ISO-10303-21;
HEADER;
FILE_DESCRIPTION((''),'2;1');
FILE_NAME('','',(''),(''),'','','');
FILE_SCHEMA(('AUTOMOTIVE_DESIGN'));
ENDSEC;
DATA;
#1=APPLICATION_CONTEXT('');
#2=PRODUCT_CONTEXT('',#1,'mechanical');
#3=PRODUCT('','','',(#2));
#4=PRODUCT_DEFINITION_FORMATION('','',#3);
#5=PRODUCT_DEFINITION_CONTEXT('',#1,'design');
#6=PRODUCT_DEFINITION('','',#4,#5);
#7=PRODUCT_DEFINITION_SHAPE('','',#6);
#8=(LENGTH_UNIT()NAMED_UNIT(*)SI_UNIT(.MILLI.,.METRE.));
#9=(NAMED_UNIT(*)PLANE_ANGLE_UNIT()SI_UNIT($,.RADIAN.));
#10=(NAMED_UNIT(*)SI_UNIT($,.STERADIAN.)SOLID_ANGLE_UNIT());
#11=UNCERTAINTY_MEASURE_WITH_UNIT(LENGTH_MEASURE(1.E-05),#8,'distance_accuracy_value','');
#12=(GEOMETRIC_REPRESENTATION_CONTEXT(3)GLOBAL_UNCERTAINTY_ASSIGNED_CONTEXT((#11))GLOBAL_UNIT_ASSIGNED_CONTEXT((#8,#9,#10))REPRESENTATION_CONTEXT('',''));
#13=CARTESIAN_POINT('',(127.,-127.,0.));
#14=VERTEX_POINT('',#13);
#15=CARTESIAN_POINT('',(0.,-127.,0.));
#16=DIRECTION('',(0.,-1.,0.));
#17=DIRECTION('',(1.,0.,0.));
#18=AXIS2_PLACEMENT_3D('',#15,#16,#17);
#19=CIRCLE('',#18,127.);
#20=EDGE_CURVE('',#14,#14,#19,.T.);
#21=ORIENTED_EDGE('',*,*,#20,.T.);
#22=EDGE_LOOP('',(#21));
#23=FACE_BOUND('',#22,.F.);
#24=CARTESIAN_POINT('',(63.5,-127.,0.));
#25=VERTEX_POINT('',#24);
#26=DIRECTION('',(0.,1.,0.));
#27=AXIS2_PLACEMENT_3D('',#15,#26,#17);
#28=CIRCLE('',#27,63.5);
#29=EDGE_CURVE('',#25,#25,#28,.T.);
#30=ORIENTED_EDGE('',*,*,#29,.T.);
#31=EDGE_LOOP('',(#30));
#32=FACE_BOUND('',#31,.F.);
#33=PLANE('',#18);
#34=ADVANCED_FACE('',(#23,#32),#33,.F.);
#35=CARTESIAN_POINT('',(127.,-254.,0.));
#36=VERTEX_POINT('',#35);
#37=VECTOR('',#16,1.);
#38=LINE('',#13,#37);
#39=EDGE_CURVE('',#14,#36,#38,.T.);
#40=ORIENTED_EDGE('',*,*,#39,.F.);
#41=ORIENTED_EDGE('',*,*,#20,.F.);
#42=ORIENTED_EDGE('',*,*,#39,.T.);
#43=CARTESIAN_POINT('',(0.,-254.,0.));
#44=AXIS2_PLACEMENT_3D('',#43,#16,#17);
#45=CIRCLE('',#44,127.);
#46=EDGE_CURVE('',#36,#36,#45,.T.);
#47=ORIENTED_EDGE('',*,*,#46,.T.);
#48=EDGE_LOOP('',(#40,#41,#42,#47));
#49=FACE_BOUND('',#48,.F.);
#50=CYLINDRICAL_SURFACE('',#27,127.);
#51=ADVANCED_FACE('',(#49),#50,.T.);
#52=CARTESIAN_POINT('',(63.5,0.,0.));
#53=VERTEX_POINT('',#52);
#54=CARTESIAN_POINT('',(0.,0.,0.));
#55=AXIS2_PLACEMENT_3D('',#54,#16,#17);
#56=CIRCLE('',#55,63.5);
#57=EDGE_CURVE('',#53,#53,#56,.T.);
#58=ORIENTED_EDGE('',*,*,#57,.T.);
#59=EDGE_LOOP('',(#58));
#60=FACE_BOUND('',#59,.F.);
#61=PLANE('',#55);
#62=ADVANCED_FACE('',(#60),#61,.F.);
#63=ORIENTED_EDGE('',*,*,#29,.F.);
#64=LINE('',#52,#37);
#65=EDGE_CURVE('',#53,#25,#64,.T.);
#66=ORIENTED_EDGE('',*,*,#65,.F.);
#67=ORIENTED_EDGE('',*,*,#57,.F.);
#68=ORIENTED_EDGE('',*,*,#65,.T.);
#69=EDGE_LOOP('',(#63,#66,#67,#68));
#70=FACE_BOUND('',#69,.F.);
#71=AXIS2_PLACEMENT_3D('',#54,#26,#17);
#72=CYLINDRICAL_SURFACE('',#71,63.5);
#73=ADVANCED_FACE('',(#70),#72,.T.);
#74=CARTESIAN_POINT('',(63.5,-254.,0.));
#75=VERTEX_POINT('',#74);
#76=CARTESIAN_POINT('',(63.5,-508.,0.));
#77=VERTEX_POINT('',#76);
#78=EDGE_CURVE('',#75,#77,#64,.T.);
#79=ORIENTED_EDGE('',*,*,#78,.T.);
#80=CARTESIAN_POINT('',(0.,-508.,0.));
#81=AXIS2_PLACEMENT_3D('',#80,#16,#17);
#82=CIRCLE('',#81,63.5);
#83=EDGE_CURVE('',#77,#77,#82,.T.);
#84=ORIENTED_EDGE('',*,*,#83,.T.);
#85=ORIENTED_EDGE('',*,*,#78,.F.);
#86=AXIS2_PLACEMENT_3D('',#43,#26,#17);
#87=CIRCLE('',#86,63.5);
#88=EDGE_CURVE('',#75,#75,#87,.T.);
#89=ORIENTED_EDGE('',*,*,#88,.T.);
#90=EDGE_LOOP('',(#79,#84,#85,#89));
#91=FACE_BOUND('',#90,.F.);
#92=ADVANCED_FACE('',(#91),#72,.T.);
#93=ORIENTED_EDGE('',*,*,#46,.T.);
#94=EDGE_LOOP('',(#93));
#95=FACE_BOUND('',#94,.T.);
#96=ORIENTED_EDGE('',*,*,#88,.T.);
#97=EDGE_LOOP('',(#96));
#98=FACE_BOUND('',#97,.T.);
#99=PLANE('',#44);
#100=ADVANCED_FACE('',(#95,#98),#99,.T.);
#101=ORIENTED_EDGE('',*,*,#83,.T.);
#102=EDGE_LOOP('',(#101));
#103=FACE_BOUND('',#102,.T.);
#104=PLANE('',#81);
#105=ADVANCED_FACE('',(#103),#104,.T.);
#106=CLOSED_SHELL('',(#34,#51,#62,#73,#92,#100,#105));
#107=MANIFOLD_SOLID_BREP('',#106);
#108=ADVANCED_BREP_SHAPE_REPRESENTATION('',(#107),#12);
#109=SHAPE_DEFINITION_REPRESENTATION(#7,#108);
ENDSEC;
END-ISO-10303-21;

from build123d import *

# Parameters (mm, degrees)
F0_R     = 63.5
F1_DEPTH = 508
F3_R     = 127
F4_DEPTH = 127


with BuildPart() as f1:
    # F0 (on Front) → F1 (new body)
    with BuildSketch(Plane.XZ):
        Circle(F0_R)
    extrude(amount=F1_DEPTH)

    # F3 (on offset) → F4 (join)
    with BuildSketch(Plane.XZ.offset(127)):
        Circle(F3_R)
    extrude(amount=F4_DEPTH)


solid = f1.part
